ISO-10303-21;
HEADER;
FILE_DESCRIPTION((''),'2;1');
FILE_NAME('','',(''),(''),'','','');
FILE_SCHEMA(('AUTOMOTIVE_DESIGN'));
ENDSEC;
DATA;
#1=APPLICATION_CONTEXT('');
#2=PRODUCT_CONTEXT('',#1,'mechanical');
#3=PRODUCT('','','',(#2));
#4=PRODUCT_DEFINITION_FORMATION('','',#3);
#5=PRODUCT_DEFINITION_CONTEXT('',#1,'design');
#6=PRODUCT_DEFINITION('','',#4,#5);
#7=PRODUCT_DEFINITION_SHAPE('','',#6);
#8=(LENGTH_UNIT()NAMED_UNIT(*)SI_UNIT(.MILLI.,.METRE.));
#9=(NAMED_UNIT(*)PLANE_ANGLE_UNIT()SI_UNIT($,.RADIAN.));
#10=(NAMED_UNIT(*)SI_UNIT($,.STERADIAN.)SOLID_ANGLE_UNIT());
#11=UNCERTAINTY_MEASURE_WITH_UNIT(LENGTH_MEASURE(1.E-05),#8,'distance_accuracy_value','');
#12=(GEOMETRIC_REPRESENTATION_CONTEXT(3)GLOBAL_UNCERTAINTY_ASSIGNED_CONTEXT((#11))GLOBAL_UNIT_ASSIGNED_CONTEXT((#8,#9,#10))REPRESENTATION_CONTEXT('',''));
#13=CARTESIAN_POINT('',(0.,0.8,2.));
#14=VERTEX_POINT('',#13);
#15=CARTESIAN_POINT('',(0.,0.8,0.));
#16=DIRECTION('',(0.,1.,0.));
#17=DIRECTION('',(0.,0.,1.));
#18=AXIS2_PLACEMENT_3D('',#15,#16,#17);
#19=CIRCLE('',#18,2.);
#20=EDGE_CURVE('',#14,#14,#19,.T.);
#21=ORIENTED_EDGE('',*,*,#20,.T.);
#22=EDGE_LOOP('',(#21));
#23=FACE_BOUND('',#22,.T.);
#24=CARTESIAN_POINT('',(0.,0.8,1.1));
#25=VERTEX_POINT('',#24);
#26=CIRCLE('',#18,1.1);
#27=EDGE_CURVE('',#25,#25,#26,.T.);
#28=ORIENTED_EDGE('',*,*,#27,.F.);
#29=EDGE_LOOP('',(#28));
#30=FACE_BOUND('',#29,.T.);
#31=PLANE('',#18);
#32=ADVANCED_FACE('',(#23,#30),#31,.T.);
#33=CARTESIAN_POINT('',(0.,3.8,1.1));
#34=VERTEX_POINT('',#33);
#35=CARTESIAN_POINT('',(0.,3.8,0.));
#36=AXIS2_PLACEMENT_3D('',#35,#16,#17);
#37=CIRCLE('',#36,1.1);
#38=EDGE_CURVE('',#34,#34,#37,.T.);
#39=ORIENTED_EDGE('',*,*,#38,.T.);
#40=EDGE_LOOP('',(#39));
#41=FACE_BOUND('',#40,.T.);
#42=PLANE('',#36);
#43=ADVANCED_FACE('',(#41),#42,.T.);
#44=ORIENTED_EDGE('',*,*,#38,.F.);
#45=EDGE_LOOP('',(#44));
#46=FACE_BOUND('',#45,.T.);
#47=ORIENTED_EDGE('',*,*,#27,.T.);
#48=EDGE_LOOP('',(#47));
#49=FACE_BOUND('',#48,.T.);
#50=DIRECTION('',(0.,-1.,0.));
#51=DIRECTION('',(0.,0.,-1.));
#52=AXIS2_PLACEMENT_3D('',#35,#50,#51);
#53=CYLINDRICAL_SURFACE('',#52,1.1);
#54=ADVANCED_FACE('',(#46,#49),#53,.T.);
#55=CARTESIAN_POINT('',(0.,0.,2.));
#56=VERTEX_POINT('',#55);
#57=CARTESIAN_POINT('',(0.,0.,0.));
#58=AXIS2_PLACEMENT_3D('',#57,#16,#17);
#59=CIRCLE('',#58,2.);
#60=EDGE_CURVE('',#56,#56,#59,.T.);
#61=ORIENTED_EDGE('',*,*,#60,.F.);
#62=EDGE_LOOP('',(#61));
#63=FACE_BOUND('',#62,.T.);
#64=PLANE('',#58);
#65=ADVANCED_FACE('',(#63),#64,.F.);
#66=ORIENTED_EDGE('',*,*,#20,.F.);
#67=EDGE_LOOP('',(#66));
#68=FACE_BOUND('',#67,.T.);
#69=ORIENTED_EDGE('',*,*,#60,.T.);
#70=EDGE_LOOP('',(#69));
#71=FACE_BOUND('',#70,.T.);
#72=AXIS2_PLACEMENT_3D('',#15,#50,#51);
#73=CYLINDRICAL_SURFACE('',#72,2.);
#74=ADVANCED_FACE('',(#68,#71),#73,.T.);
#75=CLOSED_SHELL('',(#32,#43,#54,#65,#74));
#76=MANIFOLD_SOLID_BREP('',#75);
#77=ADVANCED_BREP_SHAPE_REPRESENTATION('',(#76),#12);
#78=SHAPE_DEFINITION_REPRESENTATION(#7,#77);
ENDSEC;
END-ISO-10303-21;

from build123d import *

# Parameters (mm, degrees)
ESBO_O1_R                = 2
RESSALTO_EXTRUS_O1_DEPTH = 0.8
ESBO_O2_R                = 1.1
RESSALTO_EXTRUS_O2_DEPTH = 3


with BuildPart() as part:
    # Esboço1 → Ressalto-extrusão1 (new body)
    with BuildSketch(Plane(origin=(0, 0, 0), x_dir=(1, 0, 0), z_dir=(0, 1, 0))):
        with Locations(Location((0, 0, 0), (0, 0, 270))):
            Circle(ESBO_O1_R)
    extrude(amount=RESSALTO_EXTRUS_O1_DEPTH)

    # Esboço2 → Ressalto-extrusão2 (add)
    with BuildSketch(Plane(origin=(0, 0.8, 0), x_dir=(1, 0, 0), z_dir=(0, 1, 0))):
        with Locations(Location((0, 0, 0), (0, 0, 270))):
            Circle(ESBO_O2_R)
    extrude(amount=RESSALTO_EXTRUS_O2_DEPTH)


solid = part.part
